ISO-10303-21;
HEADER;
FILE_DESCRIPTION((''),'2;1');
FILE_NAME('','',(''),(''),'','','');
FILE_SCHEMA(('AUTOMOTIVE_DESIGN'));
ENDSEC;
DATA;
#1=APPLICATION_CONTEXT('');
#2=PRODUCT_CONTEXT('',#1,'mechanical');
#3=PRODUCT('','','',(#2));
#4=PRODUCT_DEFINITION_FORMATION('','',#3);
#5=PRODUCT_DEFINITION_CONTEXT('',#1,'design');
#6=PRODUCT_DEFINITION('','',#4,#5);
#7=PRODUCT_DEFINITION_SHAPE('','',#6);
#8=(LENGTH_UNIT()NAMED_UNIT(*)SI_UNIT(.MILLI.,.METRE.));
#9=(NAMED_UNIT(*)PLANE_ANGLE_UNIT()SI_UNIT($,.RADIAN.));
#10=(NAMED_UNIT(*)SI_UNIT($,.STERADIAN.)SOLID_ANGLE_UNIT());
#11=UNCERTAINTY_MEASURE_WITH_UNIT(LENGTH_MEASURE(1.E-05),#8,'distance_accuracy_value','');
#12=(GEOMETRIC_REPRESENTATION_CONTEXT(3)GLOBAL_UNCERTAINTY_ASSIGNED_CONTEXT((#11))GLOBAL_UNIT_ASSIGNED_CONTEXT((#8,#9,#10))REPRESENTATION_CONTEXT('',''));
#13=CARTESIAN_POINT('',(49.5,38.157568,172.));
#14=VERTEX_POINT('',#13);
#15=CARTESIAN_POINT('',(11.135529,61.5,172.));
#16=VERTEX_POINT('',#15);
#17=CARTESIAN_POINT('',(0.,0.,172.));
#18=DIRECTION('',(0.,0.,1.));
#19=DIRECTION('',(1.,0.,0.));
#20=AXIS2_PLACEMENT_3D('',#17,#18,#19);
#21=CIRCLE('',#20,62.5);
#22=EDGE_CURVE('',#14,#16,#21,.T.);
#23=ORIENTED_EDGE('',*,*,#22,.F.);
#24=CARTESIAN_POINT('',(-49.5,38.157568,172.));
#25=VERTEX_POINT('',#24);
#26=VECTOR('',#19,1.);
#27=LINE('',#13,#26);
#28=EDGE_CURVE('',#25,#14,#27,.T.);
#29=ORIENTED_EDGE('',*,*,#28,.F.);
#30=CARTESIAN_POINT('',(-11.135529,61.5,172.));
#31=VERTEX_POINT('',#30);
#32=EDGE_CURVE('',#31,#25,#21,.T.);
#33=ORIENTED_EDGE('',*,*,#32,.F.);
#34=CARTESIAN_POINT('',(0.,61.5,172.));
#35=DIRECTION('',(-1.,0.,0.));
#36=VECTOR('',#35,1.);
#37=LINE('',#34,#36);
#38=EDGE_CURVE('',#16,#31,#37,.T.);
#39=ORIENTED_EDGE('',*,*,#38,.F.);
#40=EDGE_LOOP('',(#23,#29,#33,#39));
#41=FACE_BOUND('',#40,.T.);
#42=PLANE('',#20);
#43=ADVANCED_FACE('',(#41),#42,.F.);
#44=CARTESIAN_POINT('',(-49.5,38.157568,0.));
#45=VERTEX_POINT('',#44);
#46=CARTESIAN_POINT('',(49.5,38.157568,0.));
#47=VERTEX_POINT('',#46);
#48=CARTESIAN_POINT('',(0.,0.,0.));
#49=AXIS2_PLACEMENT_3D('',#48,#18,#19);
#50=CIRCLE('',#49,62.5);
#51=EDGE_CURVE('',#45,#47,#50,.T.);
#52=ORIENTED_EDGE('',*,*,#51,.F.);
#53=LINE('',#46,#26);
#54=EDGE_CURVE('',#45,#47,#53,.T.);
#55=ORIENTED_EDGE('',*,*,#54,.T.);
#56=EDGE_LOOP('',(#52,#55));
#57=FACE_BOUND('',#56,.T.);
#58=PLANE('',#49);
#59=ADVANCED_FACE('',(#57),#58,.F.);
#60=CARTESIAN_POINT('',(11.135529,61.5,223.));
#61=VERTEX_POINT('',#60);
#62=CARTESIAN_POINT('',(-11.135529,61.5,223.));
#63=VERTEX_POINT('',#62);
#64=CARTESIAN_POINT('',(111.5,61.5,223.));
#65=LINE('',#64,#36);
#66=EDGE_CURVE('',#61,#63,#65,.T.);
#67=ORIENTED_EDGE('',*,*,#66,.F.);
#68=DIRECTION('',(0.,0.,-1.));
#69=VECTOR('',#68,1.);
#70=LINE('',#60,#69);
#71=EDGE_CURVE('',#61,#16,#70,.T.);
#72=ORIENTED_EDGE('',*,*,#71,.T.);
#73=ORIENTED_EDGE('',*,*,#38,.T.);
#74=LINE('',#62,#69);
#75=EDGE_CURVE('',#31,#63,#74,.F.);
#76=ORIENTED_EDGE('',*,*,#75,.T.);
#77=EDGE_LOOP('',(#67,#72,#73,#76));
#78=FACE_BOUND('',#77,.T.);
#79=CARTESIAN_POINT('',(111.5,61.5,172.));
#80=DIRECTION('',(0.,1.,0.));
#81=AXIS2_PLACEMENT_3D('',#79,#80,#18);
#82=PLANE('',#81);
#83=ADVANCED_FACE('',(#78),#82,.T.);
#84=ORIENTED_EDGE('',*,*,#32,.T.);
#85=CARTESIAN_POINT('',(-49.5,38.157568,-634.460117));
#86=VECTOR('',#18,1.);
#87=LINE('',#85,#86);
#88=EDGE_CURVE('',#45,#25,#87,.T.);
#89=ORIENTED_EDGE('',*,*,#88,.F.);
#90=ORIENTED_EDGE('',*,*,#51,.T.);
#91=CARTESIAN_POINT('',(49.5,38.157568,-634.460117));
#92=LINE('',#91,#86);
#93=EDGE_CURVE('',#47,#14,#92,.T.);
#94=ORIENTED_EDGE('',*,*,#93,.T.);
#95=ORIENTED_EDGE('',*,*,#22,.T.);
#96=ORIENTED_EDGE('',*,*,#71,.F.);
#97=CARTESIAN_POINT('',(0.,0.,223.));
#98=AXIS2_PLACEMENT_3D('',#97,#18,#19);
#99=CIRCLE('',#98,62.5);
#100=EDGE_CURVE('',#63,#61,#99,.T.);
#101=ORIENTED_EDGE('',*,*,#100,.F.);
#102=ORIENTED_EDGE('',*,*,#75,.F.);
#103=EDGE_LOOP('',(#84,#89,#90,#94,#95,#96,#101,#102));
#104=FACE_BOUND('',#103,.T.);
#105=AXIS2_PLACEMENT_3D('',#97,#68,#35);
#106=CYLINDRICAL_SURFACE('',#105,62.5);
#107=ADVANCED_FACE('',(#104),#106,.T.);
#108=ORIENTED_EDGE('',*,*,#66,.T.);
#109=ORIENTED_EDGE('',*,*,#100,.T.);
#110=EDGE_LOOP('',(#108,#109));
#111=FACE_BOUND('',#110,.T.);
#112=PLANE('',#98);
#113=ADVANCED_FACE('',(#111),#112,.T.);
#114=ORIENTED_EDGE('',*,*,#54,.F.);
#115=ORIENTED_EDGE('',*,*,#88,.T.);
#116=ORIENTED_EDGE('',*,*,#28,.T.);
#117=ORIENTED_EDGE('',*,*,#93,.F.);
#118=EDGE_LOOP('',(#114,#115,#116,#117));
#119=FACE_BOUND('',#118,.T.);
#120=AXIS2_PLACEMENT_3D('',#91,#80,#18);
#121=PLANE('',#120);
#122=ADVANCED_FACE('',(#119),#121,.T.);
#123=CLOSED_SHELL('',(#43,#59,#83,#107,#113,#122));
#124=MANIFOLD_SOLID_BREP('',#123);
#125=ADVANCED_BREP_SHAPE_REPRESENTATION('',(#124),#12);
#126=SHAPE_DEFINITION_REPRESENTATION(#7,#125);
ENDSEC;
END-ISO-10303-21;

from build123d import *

# Parameters (mm, degrees)
SKETCH1_R               = 62.5
BOSS_EXTRUDE3_DEPTH     = 223
CUT_EXTRUDE1_DEPTH      = 240.878094039
CUT_EXTRUDE1_DEPTH_BACK = 172
SKETCH3_W               = 51
SKETCH3_H               = 1
CUT_EXTRUDE2_DEPTH      = 174


with BuildPart() as part:
    # Sketch1 → Boss-Extrude3 (new body)
    with BuildSketch(Plane.XY):
        with Locations(Location((0, 0, 0), (0, 0, 180))):
            Circle(SKETCH1_R)
    extrude(amount=BOSS_EXTRUDE3_DEPTH)

    # Sketch2 → Cut-Extrude1 (cut, two sides: drawn at the far end of the back side and taken through both)
    with BuildSketch(Plane(origin=(0, 0, 0), x_dir=(-1, 0, 0), z_dir=(0, 0, -1)).offset(-CUT_EXTRUDE1_DEPTH_BACK)):
        Polygon((-360.670689192, 38.157568057), (-49.5, 38.157568057), (49.5, 38.157568057), (360.670689192, 38.157568057), (360.670689192, 660.498946441), (-360.670689192, 660.498946441), align=None)
    extrude(amount=CUT_EXTRUDE1_DEPTH + CUT_EXTRUDE1_DEPTH_BACK, mode=Mode.SUBTRACT)

    # Sketch3 → Cut-Extrude2 (cut)
    with BuildSketch(Plane(origin=(-62.5, 0, 0), x_dir=(0, 0, -1), z_dir=(1, 0, 0))):
        with Locations((-197.5, 62)):
            Rectangle(SKETCH3_W, SKETCH3_H)
    extrude(amount=CUT_EXTRUDE2_DEPTH, mode=Mode.SUBTRACT)


solid = part.part
